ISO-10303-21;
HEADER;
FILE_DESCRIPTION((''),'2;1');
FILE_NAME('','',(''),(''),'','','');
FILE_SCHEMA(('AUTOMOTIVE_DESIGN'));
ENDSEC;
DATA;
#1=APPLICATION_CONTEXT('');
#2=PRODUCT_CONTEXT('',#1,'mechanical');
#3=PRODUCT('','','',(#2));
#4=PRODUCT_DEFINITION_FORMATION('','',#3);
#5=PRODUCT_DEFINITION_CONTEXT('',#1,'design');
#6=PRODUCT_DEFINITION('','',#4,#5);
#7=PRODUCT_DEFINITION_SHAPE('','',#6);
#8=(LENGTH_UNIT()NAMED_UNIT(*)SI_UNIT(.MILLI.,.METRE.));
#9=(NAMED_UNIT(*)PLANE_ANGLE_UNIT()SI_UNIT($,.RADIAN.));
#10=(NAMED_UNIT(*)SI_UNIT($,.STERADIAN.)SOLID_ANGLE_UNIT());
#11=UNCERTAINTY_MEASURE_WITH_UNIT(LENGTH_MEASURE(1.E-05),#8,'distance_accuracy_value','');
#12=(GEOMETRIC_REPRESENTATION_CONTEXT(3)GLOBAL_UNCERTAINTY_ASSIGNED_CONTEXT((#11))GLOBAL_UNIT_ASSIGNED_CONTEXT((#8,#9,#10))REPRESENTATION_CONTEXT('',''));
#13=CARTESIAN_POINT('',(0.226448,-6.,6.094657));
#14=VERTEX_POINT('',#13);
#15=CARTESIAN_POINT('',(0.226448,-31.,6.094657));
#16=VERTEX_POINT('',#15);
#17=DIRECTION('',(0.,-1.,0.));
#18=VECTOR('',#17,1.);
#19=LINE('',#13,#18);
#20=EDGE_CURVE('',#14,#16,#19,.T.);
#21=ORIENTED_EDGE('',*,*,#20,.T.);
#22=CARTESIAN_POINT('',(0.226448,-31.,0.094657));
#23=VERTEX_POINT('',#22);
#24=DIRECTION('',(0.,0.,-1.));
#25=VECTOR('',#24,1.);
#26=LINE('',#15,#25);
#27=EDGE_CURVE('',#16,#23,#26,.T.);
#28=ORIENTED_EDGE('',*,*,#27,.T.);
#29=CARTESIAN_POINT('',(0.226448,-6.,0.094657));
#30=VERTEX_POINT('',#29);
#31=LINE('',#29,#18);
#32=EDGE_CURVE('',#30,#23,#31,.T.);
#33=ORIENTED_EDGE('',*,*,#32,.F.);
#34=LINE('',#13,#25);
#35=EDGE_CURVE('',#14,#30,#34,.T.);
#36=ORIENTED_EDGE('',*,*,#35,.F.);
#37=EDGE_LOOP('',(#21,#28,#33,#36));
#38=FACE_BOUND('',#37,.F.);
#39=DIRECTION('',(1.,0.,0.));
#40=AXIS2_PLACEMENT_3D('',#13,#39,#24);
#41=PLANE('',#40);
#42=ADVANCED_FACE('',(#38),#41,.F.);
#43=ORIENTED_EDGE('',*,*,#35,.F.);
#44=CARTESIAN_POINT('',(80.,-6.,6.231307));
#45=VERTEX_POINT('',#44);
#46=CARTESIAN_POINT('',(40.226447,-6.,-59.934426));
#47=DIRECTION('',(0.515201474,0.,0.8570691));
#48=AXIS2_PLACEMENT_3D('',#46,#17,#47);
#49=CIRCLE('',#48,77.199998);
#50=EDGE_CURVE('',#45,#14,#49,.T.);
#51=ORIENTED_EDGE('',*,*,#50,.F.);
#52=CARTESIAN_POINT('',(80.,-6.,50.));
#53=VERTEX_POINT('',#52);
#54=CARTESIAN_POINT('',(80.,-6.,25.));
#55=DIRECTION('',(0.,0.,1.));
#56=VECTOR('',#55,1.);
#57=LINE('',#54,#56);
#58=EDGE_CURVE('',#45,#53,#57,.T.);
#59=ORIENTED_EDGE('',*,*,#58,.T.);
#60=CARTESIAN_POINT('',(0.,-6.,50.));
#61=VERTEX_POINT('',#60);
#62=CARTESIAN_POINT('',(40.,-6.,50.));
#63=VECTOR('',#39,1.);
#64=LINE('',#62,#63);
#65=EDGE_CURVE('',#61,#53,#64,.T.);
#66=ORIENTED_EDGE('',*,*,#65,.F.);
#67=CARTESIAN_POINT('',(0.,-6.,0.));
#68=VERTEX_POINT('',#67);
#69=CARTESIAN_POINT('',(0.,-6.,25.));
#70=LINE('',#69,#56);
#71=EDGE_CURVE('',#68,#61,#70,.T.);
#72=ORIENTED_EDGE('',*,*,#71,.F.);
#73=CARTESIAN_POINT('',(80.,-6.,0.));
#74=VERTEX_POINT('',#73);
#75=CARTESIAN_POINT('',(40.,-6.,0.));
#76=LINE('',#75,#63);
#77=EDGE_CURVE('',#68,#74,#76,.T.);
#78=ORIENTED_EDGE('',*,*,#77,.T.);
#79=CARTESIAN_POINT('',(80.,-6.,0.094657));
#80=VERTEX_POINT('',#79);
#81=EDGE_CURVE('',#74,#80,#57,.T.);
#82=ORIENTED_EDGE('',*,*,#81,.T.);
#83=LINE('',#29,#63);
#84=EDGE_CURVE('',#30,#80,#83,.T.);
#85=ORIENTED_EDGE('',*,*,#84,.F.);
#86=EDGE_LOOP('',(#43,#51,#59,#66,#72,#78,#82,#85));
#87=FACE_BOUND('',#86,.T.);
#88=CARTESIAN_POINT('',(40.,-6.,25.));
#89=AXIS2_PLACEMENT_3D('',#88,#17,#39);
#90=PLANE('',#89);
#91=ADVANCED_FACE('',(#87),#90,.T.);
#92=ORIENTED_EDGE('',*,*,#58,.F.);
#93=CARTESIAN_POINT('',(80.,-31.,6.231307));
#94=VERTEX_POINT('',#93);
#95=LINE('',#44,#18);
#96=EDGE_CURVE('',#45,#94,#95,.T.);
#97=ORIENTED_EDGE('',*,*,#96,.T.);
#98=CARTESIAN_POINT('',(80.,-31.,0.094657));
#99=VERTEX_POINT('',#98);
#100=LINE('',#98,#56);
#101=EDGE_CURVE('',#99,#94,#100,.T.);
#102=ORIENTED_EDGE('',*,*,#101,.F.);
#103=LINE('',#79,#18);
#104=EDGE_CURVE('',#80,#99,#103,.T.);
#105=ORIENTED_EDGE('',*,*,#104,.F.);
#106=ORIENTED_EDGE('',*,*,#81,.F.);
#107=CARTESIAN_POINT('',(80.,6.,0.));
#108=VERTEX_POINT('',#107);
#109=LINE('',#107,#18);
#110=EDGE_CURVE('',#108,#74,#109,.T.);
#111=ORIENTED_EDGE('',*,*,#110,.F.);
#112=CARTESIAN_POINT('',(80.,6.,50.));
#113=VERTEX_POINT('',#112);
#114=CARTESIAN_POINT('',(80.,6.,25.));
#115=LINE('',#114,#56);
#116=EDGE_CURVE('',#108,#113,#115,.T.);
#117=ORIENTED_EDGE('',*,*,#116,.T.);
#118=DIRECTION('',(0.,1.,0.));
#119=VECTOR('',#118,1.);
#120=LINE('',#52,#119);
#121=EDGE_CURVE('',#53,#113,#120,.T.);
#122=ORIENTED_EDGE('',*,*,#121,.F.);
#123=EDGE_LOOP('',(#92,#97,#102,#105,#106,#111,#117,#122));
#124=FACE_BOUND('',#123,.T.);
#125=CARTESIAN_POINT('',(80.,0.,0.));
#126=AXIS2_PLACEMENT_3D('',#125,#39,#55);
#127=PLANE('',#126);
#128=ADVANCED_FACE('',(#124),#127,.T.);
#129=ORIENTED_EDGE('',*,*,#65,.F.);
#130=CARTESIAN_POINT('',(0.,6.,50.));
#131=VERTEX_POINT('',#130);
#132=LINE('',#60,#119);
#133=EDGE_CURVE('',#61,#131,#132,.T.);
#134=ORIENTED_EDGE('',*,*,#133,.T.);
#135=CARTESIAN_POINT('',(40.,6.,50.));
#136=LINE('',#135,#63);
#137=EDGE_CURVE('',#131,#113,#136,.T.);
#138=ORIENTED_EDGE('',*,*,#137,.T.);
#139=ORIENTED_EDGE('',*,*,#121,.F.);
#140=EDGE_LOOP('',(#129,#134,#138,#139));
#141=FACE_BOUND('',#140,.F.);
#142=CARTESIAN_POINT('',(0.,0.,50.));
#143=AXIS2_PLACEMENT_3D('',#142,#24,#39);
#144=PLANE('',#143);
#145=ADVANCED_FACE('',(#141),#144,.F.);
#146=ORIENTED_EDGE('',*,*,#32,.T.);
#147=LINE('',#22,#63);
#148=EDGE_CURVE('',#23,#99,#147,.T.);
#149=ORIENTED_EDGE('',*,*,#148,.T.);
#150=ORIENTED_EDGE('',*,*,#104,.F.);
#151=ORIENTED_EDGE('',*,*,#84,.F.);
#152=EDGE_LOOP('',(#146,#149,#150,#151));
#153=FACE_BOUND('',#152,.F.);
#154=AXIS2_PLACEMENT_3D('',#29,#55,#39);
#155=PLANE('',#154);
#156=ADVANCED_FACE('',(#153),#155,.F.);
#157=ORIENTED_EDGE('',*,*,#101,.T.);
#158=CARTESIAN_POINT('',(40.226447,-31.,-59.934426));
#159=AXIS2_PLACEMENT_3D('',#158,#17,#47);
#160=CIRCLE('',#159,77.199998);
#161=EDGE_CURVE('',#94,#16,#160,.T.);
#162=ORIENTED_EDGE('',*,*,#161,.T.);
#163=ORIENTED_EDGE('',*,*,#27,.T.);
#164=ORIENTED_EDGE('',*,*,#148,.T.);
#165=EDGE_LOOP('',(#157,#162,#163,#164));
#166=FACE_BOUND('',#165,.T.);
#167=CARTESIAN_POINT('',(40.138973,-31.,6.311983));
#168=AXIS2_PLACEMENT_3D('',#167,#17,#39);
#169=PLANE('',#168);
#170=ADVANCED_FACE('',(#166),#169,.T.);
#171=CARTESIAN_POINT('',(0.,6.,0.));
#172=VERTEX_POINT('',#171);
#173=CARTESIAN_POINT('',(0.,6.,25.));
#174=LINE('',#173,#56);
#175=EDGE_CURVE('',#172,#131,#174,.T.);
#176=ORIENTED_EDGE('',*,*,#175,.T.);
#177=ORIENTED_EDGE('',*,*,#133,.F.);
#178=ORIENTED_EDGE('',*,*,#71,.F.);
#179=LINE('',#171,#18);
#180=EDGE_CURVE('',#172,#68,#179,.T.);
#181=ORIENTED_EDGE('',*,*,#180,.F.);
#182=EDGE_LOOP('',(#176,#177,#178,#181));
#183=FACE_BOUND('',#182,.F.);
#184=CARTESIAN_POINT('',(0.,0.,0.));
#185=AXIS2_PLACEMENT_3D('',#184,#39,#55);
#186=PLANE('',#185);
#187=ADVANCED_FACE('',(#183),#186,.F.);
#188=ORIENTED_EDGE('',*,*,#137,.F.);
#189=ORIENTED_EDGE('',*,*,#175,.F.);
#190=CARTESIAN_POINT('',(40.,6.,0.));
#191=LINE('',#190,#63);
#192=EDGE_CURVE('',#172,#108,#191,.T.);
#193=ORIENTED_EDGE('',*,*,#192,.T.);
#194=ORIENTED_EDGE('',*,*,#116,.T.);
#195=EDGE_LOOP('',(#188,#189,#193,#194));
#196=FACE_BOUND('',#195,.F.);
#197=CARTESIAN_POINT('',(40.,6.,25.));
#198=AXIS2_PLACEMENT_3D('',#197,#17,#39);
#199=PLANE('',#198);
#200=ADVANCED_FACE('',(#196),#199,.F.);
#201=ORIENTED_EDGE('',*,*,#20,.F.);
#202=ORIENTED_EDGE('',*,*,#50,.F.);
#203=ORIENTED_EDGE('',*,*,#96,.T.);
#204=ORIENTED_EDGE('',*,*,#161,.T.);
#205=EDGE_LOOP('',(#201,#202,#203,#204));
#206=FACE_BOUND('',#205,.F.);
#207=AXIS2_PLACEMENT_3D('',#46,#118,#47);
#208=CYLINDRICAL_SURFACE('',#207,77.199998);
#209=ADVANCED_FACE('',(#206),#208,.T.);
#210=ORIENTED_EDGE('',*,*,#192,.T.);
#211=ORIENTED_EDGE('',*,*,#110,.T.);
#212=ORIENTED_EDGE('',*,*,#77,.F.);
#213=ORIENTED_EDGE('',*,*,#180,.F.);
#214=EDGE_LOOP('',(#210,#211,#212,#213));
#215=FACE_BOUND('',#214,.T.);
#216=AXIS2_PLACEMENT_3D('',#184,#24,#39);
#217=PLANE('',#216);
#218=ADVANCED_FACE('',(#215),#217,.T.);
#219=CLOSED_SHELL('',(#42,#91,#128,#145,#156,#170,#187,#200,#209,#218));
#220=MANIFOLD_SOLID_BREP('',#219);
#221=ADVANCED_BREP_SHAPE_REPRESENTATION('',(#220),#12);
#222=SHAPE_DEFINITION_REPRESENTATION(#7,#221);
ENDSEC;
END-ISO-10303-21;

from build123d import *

# Parameters (mm, degrees)
F0_W     = 80
F0_H     = 50
F1_DEPTH = 6
F3_DEPTH = 25


with BuildPart() as f1:
    # F0 (on Front) → F1 (new body, symmetric)
    with BuildSketch(Plane.XZ):
        with Locations((40, 25)):
            Rectangle(F0_W, F0_H)
    extrude(amount=F1_DEPTH, both=True)

    # F2 (on face) → F3 (join)
    with BuildSketch(Plane.XZ.offset(6)):
        with BuildLine():
            ThreePointArc((80, 6.231307), (40.094205, 17.265459), (0.226448, 6.094657))
            Line((0.226448, 6.094657), (0.226448, 0.094657))
            Line((0.226448, 0.094657), (80, 0.094657))
            Line((80, 0.094657), (80, 6.231307))
        make_face()
    extrude(amount=F3_DEPTH)


solid = f1.part
